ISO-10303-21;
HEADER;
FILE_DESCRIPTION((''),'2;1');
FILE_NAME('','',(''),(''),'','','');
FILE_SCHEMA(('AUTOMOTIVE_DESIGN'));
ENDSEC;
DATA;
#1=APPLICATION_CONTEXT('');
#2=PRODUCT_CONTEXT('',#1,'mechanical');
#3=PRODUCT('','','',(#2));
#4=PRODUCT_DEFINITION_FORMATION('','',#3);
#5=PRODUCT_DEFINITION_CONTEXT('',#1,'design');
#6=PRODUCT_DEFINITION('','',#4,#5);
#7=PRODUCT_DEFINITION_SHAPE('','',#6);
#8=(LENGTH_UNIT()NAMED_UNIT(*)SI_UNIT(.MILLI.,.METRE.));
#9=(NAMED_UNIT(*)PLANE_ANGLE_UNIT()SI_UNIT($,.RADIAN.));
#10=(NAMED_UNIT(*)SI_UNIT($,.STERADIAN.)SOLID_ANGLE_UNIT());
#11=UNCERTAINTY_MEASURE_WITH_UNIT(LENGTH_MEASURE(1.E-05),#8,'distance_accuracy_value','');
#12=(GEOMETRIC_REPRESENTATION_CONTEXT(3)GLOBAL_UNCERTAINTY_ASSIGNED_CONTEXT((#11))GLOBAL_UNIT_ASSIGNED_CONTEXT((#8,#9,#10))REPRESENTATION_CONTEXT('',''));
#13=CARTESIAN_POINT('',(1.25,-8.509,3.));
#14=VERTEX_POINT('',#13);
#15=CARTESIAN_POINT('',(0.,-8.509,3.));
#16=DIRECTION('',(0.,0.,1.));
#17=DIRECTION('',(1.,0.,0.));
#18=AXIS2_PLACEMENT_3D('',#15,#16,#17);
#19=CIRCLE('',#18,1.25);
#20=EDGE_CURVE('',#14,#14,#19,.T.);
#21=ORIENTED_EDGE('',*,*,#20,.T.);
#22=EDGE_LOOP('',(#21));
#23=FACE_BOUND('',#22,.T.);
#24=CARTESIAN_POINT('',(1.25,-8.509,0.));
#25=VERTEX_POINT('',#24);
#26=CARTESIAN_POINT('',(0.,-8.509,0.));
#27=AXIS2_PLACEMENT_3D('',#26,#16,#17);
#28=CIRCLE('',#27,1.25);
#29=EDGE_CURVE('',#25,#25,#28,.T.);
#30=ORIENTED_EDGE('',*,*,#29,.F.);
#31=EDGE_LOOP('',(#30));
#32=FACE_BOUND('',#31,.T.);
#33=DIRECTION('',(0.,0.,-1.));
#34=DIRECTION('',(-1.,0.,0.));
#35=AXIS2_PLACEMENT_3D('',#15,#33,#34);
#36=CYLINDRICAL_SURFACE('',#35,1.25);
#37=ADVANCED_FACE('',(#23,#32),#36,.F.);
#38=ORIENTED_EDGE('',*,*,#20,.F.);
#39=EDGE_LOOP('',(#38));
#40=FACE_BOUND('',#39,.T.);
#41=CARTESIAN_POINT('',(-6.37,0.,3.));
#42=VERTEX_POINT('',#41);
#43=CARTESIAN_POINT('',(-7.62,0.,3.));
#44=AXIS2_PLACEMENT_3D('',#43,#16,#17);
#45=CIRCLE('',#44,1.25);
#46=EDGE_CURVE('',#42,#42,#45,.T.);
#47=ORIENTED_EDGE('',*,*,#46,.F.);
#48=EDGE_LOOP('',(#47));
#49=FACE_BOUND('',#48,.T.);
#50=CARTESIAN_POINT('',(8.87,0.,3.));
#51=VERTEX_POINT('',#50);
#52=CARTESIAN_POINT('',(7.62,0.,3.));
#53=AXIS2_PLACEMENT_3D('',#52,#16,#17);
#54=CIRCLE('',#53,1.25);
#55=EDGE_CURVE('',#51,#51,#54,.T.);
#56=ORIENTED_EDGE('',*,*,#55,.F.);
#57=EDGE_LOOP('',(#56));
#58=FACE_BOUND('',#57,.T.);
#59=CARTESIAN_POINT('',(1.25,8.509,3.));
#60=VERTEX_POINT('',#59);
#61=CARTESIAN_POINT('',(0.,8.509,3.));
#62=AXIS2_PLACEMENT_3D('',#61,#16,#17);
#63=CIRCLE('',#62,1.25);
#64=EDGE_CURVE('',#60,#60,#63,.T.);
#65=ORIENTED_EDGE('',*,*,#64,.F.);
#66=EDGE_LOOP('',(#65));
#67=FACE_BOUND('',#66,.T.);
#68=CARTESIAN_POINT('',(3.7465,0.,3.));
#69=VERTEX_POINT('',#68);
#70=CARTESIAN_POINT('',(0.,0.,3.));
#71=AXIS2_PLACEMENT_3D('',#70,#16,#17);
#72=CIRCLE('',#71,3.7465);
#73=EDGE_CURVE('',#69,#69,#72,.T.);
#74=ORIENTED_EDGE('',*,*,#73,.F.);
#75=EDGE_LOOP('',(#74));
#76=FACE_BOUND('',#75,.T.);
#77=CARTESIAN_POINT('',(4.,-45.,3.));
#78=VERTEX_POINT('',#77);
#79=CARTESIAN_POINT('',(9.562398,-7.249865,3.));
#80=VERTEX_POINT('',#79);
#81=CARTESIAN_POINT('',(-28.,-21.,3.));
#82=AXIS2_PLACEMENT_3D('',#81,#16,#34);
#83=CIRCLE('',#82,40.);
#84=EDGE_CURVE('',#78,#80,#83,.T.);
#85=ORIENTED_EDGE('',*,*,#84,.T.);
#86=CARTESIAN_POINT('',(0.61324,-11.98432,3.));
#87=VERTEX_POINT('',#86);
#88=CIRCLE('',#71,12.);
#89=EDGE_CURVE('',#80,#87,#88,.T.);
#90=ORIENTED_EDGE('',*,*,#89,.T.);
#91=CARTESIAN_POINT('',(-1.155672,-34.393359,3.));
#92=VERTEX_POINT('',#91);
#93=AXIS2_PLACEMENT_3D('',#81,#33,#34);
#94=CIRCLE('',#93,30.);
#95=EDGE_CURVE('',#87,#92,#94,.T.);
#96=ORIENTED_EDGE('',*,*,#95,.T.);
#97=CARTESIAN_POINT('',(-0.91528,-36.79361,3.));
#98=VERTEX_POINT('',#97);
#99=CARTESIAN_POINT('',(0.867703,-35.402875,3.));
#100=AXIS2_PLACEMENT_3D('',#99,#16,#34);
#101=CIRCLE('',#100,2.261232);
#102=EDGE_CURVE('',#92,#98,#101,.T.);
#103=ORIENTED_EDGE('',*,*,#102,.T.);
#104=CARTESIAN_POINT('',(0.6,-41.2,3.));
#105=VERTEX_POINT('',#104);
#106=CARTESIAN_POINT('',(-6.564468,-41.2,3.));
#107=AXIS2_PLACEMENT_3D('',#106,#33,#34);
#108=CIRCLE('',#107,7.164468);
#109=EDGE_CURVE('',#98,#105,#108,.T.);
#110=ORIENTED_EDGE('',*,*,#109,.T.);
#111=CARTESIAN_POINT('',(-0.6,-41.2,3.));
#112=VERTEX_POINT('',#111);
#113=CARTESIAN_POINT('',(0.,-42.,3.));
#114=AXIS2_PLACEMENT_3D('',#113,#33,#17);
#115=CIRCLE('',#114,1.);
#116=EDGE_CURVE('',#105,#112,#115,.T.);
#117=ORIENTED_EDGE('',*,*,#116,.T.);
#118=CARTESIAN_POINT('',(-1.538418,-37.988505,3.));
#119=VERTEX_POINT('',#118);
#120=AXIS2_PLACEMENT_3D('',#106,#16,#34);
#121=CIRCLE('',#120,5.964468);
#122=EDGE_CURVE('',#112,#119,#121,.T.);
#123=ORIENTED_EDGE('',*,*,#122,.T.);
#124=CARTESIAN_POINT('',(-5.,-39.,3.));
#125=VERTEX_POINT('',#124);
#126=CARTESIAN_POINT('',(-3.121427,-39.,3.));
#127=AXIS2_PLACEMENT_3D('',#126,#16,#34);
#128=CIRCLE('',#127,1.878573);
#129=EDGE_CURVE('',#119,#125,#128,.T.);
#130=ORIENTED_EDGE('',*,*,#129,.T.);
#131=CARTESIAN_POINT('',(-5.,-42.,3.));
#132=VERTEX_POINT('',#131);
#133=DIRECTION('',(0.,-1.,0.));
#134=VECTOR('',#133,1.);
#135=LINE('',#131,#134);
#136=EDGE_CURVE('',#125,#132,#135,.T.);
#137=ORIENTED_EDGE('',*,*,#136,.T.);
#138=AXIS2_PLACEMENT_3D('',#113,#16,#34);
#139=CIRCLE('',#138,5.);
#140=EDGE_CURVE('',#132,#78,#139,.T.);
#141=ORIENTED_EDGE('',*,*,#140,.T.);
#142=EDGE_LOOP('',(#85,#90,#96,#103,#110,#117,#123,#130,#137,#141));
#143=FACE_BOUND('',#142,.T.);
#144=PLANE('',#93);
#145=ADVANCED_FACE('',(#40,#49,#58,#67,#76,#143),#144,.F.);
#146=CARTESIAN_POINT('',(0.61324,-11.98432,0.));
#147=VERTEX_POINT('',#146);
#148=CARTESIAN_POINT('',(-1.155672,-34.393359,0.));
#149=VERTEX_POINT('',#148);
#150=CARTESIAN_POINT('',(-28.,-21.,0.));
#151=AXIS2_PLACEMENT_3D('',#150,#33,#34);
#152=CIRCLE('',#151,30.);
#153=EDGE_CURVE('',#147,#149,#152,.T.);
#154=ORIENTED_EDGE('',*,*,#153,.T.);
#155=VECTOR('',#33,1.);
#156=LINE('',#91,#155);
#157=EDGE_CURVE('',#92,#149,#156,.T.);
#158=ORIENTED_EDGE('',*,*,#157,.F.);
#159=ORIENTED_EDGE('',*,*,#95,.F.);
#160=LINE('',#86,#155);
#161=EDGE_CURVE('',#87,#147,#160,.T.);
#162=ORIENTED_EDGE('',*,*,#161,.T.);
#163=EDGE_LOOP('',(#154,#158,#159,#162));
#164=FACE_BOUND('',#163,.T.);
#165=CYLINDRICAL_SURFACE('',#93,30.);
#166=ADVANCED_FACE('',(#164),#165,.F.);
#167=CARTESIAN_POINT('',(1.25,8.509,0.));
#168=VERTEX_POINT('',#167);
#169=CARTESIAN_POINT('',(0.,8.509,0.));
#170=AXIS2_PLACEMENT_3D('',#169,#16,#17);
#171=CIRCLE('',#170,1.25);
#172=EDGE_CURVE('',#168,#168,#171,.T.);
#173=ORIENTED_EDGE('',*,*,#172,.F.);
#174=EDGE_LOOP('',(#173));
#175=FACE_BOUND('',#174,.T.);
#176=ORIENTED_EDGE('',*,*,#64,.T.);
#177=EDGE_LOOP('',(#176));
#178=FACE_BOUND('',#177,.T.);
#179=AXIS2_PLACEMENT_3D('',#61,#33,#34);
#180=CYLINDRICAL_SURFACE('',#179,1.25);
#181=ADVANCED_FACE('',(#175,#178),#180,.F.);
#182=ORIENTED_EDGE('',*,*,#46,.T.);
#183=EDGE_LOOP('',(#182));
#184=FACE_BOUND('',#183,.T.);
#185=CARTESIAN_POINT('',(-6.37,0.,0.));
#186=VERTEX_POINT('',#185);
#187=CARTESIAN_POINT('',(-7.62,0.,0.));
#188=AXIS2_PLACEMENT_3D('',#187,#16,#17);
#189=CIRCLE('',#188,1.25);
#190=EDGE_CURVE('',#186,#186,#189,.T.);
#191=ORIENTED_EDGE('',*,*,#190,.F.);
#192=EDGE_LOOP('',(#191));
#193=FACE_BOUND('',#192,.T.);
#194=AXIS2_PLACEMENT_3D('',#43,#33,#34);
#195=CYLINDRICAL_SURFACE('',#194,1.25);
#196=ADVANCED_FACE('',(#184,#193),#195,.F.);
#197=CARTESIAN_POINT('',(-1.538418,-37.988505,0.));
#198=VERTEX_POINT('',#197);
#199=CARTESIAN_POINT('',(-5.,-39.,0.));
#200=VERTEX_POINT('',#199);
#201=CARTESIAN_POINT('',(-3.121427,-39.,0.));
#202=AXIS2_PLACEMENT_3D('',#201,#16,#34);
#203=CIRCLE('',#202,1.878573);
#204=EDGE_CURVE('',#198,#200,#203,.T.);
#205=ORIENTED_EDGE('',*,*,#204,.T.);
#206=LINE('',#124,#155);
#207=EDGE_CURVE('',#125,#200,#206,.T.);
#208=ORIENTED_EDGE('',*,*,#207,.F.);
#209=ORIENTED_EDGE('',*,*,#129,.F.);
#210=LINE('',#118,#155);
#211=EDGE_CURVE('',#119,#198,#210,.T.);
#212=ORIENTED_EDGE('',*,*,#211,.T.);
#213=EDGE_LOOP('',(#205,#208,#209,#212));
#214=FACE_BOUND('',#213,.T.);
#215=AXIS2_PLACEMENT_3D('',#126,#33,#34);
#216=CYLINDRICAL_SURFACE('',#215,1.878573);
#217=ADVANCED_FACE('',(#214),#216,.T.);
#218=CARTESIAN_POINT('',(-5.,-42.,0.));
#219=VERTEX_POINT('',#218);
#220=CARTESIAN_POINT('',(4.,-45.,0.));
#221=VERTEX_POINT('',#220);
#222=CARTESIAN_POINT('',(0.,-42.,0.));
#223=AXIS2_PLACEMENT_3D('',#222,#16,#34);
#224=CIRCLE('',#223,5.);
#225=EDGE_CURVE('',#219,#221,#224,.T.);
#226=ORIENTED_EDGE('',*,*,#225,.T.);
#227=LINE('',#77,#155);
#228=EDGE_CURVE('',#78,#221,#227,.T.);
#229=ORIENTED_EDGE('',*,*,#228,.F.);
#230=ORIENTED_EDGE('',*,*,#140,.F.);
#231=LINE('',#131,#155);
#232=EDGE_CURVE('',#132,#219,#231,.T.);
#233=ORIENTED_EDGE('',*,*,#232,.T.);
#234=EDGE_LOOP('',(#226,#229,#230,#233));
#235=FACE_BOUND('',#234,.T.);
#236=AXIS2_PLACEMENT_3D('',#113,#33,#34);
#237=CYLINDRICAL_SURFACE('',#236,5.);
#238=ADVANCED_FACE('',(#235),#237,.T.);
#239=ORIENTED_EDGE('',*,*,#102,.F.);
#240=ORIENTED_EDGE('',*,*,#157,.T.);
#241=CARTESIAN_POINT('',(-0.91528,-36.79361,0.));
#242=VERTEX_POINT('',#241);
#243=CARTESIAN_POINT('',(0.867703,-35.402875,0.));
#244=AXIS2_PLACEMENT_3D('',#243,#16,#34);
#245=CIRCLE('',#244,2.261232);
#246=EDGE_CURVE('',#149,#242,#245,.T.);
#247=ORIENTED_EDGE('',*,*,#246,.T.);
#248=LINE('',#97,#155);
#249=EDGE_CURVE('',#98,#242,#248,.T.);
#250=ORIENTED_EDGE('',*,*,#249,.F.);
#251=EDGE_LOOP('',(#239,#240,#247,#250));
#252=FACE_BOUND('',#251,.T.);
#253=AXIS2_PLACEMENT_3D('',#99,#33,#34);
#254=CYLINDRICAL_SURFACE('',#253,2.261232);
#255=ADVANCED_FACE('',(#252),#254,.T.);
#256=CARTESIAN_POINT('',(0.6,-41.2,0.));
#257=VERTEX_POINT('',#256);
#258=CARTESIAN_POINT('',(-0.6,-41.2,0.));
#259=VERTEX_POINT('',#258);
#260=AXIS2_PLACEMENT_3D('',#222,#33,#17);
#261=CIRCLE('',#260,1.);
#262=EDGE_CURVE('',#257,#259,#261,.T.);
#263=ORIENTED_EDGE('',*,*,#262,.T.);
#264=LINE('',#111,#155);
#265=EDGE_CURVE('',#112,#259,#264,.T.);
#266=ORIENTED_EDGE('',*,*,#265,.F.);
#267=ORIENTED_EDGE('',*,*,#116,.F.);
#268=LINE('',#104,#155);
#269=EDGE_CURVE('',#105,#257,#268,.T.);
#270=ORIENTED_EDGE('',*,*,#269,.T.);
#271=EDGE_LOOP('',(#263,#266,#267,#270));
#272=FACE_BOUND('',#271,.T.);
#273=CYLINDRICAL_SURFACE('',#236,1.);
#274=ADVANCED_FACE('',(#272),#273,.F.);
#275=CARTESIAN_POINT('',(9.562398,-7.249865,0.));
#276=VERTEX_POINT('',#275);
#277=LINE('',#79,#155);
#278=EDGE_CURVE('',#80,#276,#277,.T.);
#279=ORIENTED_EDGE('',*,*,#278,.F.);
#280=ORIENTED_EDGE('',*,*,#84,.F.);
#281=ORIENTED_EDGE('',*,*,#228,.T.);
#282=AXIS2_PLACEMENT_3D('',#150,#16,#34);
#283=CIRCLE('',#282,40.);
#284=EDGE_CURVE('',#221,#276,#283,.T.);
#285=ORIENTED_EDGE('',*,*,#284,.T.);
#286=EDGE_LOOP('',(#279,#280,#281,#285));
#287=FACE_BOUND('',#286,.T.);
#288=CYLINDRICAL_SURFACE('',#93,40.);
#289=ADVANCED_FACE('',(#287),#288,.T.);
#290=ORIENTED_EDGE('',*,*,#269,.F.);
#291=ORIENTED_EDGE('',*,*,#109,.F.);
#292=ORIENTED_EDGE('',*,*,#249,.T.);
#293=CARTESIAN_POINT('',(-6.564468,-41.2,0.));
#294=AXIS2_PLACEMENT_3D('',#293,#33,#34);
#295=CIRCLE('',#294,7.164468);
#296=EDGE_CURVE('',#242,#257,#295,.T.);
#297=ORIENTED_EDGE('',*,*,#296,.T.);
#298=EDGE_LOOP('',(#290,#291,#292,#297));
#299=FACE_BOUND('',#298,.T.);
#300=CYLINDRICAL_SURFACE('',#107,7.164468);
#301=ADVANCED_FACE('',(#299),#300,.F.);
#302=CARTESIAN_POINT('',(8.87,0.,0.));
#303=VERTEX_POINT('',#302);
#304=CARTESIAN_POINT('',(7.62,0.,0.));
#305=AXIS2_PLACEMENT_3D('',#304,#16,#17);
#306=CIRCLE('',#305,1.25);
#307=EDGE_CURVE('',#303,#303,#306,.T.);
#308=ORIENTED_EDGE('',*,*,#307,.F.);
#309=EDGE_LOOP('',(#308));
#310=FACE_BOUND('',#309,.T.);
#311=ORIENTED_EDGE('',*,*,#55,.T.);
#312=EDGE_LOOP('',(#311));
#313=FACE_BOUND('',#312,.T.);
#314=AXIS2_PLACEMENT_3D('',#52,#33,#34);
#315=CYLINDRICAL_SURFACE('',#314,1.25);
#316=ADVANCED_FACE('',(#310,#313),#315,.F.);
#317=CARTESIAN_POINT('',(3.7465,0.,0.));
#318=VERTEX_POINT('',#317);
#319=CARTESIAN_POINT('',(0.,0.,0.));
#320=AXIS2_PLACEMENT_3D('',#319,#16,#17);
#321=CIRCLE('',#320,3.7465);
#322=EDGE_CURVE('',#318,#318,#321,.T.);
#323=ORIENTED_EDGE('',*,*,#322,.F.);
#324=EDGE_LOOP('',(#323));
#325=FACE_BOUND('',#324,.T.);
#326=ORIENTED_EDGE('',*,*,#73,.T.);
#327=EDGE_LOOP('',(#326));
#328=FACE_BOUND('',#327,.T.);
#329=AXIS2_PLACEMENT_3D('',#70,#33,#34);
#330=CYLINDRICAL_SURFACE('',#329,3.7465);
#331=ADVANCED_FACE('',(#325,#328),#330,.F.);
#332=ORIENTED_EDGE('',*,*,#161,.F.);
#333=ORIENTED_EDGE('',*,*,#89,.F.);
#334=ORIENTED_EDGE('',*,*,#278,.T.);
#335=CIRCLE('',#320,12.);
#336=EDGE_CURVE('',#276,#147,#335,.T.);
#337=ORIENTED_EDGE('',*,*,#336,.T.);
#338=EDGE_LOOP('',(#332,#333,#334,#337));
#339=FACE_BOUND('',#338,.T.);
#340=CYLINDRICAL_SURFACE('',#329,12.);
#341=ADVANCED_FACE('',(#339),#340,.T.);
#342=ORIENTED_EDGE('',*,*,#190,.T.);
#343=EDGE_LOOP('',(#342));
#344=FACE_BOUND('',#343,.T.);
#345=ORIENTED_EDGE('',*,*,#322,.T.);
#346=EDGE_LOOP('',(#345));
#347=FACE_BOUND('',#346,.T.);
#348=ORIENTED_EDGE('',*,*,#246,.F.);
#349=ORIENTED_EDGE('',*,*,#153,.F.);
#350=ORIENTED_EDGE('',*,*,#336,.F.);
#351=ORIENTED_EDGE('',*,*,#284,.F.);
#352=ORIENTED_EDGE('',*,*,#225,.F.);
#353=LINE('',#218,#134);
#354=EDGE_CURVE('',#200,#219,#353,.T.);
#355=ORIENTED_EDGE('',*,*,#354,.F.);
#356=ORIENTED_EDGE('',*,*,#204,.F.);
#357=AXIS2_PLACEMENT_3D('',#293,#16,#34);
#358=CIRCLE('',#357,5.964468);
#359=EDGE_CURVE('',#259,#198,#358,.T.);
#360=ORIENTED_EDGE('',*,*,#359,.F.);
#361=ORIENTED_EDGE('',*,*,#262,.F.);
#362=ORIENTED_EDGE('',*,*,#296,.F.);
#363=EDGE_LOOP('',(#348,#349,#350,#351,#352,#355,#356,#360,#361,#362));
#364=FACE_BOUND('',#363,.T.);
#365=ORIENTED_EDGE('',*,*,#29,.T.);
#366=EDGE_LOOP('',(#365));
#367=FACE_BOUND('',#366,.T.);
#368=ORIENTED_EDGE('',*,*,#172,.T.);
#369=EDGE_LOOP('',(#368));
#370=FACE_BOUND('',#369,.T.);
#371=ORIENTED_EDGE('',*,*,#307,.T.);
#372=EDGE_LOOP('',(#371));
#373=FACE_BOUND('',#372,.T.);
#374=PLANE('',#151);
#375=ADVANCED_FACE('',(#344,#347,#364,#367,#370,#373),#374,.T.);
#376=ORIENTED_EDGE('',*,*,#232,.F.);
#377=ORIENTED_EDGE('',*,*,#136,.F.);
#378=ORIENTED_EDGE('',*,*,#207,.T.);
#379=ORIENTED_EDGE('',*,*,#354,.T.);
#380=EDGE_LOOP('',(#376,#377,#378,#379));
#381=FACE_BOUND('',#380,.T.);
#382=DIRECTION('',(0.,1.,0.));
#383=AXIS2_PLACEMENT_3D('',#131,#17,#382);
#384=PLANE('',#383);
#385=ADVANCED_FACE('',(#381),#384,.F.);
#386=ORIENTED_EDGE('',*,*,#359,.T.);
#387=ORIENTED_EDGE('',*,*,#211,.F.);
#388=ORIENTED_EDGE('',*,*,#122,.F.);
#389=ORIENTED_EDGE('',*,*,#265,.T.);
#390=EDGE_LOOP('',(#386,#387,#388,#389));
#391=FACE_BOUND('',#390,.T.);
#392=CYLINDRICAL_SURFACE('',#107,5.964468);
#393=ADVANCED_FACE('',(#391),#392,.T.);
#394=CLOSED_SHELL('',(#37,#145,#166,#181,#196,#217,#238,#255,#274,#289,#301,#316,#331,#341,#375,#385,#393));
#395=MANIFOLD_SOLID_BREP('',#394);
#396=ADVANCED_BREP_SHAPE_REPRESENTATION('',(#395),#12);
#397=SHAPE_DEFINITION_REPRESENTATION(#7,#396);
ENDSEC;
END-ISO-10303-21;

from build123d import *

# Parameters (mm, degrees)
SKETCH1_R           = 3.7465
SKETCH1_R_2         = 1.25
BOSS_EXTRUDE1_DEPTH = 3


with BuildPart() as part:
    # Sketch1 → Boss-Extrude1 (new body)
    with BuildSketch(Plane.XY):
        with BuildLine():
            Line((-5, -42), (-5, -39))
            ThreePointArc((-5, -39), (-3.64832327, -37.196831118), (-1.538417978, -37.988505079))
            ThreePointArc((-1.538417978, -37.988505079), (-0.839409352, -39.527103714), (-0.6, -41.2))
            ThreePointArc((-0.6, -41.2), (0, -43), (0.6, -41.2))
            ThreePointArc((0.6, -41.2), (0.210597624, -38.870174368), (-0.915279992, -36.793609589))
            ThreePointArc((-0.915279992, -36.793609589), (-1.38227286, -35.62821691), (-1.15567211, -34.393358808))
            ThreePointArc((-1.15567211, -34.393358808), (1.906967722, -23.36077989), (0.613240327, -11.984320436))
            ThreePointArc((0.613240327, -11.984320436), (-5.611566101, 10.607088474), (9.562398428, -7.249864571))
            ThreePointArc((9.562398428, -7.249864571), (11.572717875, -26.830951895), (4, -45))
            ThreePointArc((4, -45), (-1.58113883, -46.74341649), (-5, -42))
        make_face()
        Circle(SKETCH1_R, mode=Mode.SUBTRACT)
        with Locations((0, 8.509)):
            Circle(SKETCH1_R_2, mode=Mode.SUBTRACT)
        with Locations((-7.62, 0)):
            Circle(SKETCH1_R_2, mode=Mode.SUBTRACT)
        with Locations((0, -8.509)):
            Circle(SKETCH1_R_2, mode=Mode.SUBTRACT)
        with Locations((7.62, 0)):
            Circle(SKETCH1_R_2, mode=Mode.SUBTRACT)
    extrude(amount=BOSS_EXTRUDE1_DEPTH)


solid = part.part
